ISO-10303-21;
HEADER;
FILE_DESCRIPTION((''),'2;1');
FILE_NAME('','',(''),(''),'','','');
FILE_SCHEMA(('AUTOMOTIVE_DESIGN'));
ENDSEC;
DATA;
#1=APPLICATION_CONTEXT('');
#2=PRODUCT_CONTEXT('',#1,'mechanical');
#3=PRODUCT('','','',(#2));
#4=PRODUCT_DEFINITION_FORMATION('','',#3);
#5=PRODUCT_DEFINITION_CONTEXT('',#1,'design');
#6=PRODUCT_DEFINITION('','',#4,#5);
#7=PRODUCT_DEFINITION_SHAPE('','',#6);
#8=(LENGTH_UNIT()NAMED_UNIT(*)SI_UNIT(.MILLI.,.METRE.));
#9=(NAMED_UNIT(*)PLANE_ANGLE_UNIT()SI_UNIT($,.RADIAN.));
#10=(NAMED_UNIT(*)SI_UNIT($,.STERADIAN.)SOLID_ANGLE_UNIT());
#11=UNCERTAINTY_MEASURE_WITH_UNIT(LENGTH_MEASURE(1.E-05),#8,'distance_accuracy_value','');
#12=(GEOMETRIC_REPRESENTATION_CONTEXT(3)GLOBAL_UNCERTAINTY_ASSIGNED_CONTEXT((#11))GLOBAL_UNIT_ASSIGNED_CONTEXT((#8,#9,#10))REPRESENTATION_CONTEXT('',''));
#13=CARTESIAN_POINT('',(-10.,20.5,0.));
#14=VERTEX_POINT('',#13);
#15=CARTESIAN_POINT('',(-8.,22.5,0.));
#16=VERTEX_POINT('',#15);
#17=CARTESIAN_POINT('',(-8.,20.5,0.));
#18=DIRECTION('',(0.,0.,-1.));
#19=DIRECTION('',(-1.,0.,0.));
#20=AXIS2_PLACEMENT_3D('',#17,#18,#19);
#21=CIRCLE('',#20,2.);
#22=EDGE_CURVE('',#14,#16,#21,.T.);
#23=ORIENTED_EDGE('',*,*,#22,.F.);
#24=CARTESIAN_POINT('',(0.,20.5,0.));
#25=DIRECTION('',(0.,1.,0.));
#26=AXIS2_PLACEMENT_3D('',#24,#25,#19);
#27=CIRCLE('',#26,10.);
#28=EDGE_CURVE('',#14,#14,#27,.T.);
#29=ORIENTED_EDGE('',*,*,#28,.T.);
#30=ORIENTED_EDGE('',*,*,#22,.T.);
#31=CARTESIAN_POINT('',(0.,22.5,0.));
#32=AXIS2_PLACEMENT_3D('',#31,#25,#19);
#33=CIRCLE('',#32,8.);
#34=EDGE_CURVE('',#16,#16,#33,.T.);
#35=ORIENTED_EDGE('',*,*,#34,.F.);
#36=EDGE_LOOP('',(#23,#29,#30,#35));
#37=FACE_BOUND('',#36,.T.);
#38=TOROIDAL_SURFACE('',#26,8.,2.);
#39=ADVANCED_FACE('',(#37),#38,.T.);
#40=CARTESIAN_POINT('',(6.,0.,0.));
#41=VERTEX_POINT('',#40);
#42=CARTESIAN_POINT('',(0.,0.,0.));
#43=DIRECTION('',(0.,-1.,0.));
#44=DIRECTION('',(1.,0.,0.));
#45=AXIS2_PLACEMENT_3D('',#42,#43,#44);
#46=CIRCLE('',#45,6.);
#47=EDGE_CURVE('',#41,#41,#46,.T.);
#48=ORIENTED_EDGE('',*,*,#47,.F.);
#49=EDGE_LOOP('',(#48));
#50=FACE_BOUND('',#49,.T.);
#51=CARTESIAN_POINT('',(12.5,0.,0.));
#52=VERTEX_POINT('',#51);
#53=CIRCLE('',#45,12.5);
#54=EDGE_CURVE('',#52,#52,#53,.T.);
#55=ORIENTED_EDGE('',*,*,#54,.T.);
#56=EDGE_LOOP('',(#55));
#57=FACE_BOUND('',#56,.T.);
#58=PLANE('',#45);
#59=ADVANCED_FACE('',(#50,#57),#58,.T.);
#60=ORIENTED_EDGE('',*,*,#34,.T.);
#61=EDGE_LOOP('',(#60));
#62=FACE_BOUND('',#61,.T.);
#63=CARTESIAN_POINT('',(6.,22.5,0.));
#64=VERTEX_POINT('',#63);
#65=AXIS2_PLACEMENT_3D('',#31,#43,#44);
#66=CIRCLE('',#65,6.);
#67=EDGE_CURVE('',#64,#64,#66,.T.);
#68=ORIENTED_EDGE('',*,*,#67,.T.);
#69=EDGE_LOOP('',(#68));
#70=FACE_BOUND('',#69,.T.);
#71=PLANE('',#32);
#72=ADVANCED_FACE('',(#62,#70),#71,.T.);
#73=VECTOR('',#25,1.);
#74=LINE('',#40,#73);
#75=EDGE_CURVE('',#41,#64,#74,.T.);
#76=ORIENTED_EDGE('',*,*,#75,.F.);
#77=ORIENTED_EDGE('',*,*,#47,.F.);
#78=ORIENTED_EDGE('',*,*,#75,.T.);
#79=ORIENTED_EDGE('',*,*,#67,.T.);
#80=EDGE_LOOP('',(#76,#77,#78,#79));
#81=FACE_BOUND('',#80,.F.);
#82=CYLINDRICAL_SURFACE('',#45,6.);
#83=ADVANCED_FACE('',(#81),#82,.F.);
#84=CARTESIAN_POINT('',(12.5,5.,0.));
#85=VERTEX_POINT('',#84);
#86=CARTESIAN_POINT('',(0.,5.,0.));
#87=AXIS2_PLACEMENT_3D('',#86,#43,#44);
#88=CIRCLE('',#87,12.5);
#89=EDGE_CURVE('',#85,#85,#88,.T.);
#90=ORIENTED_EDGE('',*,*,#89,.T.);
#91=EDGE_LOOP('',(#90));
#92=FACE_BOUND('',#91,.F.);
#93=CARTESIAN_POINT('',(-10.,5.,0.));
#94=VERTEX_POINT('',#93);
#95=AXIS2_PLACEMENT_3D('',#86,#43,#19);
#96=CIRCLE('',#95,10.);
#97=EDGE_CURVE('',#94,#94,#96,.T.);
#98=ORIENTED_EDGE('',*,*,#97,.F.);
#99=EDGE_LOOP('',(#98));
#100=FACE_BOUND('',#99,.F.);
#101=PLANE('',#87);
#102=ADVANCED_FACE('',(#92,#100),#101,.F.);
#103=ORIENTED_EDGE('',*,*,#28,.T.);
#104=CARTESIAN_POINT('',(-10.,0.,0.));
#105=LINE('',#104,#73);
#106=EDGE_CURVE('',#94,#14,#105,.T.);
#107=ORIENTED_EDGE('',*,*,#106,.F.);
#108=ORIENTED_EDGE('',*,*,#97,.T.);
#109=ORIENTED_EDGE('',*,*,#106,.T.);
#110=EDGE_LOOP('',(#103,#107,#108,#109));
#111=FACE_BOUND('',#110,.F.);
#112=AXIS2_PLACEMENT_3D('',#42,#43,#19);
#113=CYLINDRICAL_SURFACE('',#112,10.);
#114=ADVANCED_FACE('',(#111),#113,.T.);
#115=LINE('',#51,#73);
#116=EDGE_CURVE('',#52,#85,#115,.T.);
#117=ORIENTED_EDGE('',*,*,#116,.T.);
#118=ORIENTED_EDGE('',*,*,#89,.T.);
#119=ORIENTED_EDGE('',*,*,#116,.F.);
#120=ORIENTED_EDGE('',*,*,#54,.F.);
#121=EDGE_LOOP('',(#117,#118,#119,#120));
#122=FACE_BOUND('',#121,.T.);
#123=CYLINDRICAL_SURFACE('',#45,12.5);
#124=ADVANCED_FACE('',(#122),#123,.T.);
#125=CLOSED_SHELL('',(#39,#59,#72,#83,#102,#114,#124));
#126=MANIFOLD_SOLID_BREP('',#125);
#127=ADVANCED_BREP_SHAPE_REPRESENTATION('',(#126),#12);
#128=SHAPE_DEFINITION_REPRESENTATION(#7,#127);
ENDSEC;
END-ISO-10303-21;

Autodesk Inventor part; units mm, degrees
ref_plane "YZ Plane" through (0, 0, 0) normal (1, 0, 0) x (0, 1, 0)
ref_plane "XZ Plane" through (0, 0, 0) normal (0, 1, 0) x (-1, 0, 0)
ref_plane "XY Plane" through (0, 0, 0) normal (0, 0, 1) x (1, 0, 0)
sketch "Sketch1" plane through (0, 0, 0) normal (0, 1, 0) x (-1, 0, 0)
  circle A0 centre (0, 0) radius 10
  dimension "d0" = 20
extrude "Extrusion1" add sketch "Sketch1" along normal blind 22.5
sketch "Sketch2" plane through (0, 0, 0) normal (0, -1, 0) x (1, 0, 0)
  circle A0 centre (0, 0) radius 6
  dimension "d3" = 12
extrude "Extrusion2" cut sketch "Sketch2" against normal through all
sketch "Sketch3" plane through (0, 0, 0) normal (0, -1, 0) x (1, 0, 0)
  circle A0 centre (0, 0) radius 10 projected
  circle A1 centre (0, 0) radius 12.5
  dimension "d6" = 25
extrude "Extrusion3" add sketch "Sketch3" against normal blind 5
fillet "Fillet1" radius 2 1 edges at (10, 22.5, 0)
properties part number "Bushing_stempel" material "Brass, Soft Yellow"
